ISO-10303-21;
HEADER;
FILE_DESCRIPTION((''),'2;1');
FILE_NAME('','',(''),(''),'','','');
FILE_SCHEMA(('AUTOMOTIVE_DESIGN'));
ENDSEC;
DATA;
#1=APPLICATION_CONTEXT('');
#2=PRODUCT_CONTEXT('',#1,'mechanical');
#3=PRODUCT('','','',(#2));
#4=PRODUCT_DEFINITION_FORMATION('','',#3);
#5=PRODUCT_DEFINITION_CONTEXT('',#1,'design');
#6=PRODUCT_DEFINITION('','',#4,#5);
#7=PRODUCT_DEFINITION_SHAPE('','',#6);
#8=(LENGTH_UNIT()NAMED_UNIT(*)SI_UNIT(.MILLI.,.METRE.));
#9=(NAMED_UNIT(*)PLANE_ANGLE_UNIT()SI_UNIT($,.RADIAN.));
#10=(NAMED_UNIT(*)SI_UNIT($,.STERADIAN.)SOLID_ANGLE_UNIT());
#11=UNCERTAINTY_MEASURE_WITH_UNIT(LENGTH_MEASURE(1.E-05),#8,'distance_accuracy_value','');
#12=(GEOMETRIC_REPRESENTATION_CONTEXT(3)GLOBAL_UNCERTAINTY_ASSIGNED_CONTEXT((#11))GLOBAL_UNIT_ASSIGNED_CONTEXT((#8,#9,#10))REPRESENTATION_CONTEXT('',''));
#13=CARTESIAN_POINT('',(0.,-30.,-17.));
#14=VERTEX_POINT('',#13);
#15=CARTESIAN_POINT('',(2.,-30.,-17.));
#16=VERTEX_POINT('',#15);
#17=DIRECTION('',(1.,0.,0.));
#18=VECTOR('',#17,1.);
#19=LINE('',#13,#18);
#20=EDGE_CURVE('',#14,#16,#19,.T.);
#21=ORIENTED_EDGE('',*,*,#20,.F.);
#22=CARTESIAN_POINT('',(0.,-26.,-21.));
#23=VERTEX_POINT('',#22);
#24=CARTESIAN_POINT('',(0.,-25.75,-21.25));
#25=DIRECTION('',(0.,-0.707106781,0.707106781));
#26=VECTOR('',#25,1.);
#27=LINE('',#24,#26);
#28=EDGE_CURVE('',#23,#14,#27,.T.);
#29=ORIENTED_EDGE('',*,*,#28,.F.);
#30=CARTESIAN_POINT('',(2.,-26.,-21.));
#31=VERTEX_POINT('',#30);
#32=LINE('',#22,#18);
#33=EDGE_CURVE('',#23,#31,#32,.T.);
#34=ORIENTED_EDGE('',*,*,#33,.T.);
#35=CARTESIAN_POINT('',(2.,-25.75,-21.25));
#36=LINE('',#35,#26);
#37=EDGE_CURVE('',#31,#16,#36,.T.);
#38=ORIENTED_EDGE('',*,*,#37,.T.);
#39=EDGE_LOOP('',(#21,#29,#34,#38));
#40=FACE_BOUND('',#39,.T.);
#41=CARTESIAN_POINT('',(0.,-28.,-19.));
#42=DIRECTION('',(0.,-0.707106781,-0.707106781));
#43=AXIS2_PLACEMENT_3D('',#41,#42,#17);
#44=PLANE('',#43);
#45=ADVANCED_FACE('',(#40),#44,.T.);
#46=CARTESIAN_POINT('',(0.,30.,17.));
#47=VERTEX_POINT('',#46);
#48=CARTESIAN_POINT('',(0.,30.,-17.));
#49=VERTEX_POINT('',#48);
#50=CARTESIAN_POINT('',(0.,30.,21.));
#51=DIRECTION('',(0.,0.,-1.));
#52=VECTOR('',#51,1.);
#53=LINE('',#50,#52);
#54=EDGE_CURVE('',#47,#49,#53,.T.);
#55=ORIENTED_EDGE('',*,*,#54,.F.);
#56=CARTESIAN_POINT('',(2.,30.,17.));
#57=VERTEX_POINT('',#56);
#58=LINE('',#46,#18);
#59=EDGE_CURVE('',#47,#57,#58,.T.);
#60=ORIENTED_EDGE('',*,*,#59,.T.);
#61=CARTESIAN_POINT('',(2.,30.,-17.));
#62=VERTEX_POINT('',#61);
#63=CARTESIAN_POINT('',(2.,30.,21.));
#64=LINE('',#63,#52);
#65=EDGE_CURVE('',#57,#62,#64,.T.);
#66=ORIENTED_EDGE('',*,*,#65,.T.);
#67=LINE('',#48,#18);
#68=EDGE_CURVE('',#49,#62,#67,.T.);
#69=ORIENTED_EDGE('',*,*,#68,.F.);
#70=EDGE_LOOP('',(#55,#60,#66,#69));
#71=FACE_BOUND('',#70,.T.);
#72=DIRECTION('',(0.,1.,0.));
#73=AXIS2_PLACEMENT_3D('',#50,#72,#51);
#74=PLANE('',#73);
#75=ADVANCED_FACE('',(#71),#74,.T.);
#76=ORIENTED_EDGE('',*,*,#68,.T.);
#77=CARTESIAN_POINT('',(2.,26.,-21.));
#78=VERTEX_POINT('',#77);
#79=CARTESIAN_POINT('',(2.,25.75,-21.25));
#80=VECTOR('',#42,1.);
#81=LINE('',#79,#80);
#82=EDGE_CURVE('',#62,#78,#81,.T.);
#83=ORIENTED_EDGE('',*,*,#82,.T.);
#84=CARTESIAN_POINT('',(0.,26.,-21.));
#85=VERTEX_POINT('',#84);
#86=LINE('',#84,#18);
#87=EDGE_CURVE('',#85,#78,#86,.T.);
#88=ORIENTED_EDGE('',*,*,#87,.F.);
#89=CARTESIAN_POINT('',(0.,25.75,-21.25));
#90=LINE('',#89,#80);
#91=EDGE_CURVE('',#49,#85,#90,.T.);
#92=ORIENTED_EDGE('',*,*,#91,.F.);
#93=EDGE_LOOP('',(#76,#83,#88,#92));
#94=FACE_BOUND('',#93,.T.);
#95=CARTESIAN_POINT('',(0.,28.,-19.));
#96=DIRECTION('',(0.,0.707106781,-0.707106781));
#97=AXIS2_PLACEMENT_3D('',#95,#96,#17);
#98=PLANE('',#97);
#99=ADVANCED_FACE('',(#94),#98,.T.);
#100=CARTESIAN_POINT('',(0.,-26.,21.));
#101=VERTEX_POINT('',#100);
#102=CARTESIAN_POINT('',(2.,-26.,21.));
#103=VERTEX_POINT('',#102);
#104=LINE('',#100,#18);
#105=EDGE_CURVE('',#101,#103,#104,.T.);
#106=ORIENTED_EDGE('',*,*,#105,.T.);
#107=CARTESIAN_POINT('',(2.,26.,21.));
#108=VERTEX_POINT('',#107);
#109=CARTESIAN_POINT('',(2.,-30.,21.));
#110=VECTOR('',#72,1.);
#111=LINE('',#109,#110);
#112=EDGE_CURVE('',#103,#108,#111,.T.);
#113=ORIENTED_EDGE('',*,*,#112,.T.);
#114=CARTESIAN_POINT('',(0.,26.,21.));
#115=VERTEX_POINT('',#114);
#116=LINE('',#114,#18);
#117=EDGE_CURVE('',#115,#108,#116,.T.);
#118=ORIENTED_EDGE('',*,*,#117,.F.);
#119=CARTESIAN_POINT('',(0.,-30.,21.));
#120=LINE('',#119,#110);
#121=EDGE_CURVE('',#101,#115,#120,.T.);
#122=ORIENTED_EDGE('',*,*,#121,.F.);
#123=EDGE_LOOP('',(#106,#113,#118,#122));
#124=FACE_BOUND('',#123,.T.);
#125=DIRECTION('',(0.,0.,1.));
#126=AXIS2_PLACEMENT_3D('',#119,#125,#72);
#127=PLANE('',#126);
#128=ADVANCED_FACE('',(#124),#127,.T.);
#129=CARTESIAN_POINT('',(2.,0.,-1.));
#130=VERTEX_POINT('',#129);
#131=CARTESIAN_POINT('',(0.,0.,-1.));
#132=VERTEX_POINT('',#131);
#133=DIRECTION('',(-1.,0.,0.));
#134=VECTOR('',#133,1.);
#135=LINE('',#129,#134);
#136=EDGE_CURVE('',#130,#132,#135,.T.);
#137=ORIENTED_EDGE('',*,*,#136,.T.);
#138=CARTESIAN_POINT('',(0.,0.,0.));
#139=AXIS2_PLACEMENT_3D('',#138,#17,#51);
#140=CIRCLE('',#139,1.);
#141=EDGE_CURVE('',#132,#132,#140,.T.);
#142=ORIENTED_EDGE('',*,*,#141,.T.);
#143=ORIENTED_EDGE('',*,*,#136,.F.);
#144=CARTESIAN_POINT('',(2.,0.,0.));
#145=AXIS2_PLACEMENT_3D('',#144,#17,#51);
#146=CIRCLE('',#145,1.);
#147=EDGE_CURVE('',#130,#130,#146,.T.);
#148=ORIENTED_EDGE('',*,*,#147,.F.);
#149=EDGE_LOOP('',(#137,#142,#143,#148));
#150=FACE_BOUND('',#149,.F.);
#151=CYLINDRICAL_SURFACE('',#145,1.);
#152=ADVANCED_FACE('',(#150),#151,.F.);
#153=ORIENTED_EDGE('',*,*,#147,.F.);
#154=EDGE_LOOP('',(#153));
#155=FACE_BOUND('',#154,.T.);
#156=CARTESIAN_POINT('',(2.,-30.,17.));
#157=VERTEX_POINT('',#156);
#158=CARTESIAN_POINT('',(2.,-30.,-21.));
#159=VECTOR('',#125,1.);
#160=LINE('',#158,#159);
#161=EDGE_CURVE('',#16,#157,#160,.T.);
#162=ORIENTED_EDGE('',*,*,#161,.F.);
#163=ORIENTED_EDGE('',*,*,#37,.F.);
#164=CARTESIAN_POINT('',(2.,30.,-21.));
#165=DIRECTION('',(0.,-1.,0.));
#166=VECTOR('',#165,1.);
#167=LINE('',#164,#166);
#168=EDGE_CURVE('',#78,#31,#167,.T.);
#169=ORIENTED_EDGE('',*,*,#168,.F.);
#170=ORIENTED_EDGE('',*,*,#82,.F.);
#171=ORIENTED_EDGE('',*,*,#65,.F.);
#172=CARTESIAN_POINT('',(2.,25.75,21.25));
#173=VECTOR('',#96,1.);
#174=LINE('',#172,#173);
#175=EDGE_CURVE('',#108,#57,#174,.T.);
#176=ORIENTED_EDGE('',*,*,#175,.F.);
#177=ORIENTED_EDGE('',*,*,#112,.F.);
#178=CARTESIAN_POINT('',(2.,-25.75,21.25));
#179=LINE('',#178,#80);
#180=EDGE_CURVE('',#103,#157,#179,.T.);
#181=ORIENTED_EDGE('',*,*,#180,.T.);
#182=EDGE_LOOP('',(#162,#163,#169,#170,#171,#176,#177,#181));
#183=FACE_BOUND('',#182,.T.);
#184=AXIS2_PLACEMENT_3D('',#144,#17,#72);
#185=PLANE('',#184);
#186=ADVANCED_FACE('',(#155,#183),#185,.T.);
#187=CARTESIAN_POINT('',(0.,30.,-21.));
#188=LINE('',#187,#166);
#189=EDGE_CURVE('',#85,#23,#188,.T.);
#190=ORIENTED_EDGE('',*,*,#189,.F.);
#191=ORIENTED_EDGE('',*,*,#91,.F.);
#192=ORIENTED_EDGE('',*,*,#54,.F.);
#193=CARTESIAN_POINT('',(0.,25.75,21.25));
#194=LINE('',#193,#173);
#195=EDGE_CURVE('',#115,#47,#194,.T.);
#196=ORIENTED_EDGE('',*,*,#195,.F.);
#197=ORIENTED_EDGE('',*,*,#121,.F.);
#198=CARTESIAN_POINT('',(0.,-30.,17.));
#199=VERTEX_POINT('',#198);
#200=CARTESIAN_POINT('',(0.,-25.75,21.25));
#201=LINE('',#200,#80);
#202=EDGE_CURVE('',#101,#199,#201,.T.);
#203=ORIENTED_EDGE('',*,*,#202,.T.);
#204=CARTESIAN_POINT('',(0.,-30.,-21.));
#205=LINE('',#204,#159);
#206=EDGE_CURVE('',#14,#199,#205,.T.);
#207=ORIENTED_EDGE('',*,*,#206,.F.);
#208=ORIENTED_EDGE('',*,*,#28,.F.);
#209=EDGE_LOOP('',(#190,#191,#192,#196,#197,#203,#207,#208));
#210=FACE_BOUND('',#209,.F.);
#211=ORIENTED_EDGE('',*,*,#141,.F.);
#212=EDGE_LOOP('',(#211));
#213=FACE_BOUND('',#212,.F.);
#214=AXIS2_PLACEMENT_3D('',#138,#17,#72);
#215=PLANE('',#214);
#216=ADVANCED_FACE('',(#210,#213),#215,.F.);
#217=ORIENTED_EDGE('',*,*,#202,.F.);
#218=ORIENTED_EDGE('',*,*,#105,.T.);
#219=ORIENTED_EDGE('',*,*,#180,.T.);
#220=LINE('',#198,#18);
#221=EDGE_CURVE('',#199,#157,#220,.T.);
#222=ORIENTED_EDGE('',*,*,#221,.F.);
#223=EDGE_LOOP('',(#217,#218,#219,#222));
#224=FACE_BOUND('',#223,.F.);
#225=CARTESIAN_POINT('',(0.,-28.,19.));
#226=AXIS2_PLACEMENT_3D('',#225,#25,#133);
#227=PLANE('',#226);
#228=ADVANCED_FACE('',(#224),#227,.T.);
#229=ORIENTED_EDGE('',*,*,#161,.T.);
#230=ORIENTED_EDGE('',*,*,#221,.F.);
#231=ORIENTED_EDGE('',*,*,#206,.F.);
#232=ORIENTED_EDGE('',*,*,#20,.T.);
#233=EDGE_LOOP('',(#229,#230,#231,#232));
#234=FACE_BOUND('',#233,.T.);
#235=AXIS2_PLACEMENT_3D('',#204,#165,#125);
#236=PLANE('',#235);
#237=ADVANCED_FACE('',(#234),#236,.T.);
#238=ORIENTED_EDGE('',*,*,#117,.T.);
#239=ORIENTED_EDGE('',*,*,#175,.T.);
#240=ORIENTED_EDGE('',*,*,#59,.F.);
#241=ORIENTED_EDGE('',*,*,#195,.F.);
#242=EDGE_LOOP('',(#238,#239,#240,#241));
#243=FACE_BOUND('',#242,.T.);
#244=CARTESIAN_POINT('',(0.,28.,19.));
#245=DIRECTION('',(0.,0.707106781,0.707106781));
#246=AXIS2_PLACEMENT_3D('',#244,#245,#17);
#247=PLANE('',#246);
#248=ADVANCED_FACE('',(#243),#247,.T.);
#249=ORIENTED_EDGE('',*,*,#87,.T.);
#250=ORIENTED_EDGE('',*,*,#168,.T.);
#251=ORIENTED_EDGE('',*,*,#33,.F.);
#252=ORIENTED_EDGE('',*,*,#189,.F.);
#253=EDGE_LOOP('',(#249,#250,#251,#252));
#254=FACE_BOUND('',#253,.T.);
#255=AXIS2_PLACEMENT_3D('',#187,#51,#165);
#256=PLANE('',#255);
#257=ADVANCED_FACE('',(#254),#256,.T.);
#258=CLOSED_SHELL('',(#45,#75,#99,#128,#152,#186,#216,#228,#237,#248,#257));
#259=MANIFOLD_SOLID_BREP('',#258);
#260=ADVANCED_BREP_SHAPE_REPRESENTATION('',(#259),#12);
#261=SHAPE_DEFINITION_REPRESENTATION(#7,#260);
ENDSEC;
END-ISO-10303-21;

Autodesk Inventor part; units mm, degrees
ref_plane "YZ Plane" through (0, 0, 0) normal (1, 0, 0) x (0, 1, 0)
ref_plane "XZ Plane" through (0, 0, 0) normal (0, 1, 0) x (-1, 0, 0)
ref_plane "XY Plane" through (0, 0, 0) normal (0, 0, 1) x (1, 0, 0)
sketch "Sketch1" plane through (0, 0, 0) normal (1, 0, 0) x (0, 1, 0)
  line L0 (-30, 21) -> (30, 21)
  line L1 (30, 21) -> (30, -21)
  line L2 (30, -21) -> (-30, -21)
  line L3 (-30, -21) -> (-30, 21)
  line L4 (-30, 21) -> (30, -21) construction
  line L5 (30, 21) -> (-30, -21) construction
  point P0 (0, 0)
  dimension "d0" = 60
  dimension "d1" = 42
extrude "Extrusion1" add sketch "Sketch1" along normal blind 2
chamfer "Chamfer1" distance 4 angle 45 4 edges at (1, -30, 21) (1, -30, -21) (1, 30, -21) (1, 30, 21)
sketch "Sketch2" plane through (2, 0, 0) normal (1, 0, 0) x (0, 0, -1)
  circle A0 centre (0, 0) radius 1
  dimension "d7" = 2
extrude "Extrusion2" cut sketch "Sketch2" against normal blind 2
properties part number "card"
